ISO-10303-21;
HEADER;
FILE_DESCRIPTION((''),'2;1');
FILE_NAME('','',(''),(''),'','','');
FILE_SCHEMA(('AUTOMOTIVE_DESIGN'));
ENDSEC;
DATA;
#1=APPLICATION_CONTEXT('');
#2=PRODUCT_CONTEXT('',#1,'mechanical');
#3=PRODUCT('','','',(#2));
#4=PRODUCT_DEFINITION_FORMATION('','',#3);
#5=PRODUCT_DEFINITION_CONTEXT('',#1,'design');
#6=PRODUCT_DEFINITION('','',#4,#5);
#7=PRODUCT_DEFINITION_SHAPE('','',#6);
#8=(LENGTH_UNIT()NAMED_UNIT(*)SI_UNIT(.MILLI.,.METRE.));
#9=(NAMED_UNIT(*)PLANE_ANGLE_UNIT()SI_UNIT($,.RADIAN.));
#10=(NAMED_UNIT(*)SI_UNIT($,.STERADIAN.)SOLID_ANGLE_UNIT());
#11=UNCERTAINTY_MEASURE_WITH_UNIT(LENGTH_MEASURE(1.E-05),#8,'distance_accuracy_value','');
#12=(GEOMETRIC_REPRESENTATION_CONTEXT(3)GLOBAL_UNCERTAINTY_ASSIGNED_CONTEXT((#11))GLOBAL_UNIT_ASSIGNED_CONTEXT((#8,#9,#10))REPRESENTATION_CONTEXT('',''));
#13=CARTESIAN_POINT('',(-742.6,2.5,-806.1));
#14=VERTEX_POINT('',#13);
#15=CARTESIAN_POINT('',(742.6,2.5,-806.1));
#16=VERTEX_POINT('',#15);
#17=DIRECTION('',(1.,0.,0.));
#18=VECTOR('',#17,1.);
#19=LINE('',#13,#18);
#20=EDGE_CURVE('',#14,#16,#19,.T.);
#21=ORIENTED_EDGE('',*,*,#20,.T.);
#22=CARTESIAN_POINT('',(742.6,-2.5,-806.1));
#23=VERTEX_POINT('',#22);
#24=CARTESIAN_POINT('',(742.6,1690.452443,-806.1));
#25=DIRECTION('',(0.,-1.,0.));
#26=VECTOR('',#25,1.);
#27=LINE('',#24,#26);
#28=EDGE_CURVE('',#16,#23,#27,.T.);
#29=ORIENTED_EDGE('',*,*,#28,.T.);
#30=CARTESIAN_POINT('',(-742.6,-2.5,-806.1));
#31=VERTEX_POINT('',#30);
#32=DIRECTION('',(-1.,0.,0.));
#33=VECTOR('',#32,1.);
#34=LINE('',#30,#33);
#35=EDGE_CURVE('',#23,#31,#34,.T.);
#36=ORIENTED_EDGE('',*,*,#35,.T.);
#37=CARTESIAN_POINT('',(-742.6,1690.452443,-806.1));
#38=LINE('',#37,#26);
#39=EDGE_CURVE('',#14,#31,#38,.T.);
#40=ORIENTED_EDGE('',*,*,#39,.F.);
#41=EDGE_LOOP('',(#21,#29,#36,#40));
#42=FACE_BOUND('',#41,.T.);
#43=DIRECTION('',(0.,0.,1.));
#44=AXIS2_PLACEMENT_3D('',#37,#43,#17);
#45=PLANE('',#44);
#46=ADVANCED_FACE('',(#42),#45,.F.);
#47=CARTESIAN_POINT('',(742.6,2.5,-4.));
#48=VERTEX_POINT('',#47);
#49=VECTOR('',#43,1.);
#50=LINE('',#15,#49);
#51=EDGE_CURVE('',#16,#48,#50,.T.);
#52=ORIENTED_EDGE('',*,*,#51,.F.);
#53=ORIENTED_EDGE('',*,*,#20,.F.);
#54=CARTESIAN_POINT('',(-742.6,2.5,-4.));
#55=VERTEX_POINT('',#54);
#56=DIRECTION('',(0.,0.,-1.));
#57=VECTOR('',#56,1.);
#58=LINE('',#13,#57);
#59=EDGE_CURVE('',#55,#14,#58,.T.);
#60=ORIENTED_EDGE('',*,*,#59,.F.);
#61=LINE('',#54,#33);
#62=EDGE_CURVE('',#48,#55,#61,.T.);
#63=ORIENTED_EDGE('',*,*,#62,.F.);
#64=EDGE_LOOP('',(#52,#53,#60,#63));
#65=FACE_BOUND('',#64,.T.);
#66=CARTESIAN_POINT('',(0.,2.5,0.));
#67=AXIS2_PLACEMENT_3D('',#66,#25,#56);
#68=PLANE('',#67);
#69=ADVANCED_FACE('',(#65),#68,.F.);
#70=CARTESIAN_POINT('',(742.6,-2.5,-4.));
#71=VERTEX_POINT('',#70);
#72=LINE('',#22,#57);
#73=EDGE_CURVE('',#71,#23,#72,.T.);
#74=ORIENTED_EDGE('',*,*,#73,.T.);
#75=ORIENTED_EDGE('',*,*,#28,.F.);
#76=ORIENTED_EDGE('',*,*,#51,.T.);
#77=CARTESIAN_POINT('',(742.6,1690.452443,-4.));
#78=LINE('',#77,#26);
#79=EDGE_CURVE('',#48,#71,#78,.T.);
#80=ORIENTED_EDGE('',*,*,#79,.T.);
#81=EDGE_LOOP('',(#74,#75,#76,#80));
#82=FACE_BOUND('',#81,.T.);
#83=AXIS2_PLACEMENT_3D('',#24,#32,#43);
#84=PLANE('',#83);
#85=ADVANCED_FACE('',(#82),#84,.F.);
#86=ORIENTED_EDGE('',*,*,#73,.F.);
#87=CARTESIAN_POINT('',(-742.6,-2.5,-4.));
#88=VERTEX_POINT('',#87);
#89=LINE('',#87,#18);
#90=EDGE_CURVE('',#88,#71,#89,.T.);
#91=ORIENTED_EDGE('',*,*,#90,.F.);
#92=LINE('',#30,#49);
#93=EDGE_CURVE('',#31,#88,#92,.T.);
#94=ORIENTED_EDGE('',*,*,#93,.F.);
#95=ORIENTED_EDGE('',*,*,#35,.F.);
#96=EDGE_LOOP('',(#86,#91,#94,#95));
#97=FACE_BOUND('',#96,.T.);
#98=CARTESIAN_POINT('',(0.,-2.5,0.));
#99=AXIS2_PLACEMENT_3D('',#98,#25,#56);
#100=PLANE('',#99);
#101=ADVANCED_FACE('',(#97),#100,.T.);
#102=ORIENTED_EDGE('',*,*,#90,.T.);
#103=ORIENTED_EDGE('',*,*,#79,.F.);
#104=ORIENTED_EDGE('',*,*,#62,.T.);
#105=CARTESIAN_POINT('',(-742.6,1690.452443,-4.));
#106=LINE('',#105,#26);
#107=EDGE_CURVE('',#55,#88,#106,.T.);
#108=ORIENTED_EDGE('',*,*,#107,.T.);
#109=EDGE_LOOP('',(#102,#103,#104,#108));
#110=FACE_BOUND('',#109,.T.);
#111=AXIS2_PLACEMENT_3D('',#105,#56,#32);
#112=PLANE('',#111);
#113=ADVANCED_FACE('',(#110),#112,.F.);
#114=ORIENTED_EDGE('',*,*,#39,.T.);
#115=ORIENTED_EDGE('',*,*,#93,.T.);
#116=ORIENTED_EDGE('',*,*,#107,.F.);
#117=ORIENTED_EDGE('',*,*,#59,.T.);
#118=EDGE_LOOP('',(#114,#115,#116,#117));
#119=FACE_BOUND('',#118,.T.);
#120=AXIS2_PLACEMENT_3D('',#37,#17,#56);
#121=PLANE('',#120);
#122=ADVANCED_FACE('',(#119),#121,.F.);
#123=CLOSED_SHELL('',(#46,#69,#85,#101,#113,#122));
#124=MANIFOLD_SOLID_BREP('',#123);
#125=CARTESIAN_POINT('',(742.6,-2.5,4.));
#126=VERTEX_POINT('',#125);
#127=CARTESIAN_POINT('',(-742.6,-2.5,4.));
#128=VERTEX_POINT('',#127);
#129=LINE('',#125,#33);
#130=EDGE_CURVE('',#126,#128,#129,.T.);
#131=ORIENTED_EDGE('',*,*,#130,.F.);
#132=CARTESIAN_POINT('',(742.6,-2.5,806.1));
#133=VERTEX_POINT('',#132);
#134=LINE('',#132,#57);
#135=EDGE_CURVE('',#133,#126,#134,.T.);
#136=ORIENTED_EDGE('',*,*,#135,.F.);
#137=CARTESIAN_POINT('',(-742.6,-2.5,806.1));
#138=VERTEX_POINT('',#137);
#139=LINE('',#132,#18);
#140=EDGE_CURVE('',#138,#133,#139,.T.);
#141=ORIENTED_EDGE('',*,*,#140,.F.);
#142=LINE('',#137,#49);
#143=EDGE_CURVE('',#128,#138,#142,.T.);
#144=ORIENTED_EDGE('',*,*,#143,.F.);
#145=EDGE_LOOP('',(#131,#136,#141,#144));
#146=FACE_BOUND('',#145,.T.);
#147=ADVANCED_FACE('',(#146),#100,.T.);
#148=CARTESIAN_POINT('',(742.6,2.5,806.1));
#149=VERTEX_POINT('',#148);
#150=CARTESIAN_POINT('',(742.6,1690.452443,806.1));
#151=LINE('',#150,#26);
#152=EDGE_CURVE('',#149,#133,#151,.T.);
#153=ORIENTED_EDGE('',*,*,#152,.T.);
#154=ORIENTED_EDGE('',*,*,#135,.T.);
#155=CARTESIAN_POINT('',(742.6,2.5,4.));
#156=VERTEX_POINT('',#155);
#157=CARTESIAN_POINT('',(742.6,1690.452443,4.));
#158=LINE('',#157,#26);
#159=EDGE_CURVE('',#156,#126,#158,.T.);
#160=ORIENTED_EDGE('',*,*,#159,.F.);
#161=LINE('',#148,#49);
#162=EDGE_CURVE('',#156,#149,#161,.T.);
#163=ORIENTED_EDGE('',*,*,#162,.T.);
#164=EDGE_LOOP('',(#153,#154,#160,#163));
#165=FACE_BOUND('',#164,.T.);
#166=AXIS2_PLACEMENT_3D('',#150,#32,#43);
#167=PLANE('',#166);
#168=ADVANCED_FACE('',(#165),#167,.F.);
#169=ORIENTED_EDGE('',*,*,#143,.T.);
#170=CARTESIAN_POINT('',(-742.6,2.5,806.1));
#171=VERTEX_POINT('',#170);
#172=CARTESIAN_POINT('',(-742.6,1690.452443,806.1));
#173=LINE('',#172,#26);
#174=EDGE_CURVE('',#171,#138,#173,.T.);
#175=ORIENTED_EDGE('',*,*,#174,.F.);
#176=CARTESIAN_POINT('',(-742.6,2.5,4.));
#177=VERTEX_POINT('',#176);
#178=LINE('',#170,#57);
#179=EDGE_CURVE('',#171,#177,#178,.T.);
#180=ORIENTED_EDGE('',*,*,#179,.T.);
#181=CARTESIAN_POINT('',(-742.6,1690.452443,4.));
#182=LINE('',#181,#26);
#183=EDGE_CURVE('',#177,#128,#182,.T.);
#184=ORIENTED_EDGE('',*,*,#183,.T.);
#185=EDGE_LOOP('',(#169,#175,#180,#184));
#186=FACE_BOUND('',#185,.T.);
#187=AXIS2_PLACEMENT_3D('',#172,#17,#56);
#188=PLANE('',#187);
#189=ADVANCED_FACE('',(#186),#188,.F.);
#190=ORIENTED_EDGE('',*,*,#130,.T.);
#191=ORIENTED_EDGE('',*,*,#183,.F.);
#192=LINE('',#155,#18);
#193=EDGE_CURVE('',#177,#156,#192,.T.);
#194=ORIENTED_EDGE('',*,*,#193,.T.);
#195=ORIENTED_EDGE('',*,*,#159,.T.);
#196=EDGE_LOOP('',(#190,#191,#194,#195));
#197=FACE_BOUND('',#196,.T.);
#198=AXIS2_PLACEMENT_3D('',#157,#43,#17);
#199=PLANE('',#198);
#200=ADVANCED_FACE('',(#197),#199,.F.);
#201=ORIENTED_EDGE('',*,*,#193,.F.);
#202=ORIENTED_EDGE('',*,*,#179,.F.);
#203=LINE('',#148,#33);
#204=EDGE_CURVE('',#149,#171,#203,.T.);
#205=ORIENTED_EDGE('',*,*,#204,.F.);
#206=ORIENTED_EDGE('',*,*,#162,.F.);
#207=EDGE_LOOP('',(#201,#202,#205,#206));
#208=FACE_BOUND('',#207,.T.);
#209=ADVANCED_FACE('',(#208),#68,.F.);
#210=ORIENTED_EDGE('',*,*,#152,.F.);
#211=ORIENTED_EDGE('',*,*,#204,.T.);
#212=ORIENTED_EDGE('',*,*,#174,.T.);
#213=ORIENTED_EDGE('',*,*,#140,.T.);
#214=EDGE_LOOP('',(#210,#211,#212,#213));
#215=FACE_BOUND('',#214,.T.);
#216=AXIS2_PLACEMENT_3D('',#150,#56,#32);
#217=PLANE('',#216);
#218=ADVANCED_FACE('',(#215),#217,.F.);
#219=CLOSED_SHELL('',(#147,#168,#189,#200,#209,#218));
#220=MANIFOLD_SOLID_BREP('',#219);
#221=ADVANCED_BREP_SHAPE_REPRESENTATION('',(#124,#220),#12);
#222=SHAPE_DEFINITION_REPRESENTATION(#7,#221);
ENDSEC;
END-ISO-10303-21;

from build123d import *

# Parameters (mm, degrees)
BOSS_EXTRUDE1_DEPTH             = 2.5
BOSS_EXTRUDE1_DEPTH_BACK        = 2.5
SKETCH1_W                       = 1473.2
SKETCH1_H                       = 790.1
BOSS_EXTRUDE1_2_DEPTH           = 2.5
BOSS_EXTRUDE1_2_DEPTH_BACK      = 2.5
BOSS_EXTRUDE2_REACH             = 1089.541
SKETCH2_W                       = 1485.2
SKETCH2_H                       = 802.1
SKETCH2_W_2                     = 1473.2
SKETCH2_H_2                     = 790.1
BOSS_EXTRUDE2_DIRECTION_2_REACH = 1089.541


with BuildPart() as part:
    # Sketch1 → Boss-Extrude1 (new, two sides: drawn at the far end of the back side and taken through both)
    with BuildSketch(Plane(origin=(0, 0, 0), x_dir=(1, 0, 0), z_dir=(0, 1, 0)).offset(-BOSS_EXTRUDE1_DEPTH_BACK)):
        with Locations((0, 405.05)):
            Rectangle(SKETCH1_W, SKETCH1_H)
    extrude(amount=BOSS_EXTRUDE1_DEPTH + BOSS_EXTRUDE1_DEPTH_BACK)

    # Boss-Extrude2: up to this face of the body (flat: up to its plane)
    boss_extrude2_end = Plane(part.part.faces().sort_by_distance((0, 2.5, -405.05))[0])
    # Sketch2 → Boss-Extrude2 (add, up to the picked face)
    with BuildSketch(Plane(origin=(0, 0, 0), x_dir=(1, 0, 0), z_dir=(0, 1, 0)), mode=Mode.PRIVATE) as boss_extrude2_sk1:
        with Locations((0, 405.05)):
            Rectangle(SKETCH2_W, SKETCH2_H)
        with Locations((0, 405.05)):
            Rectangle(SKETCH2_W_2, SKETCH2_H_2, mode=Mode.SUBTRACT)
    boss_extrude2_tool1 = split(extrude(boss_extrude2_sk1.sketch, amount=BOSS_EXTRUDE2_REACH, mode=Mode.PRIVATE), bisect_by=boss_extrude2_end, keep=Keep.BOTH, mode=Mode.PRIVATE)
    # Sketch2 → Boss-Extrude2 (add, up to the picked face)
    with BuildSketch(Plane(origin=(0, 0, 0), x_dir=(1, 0, 0), z_dir=(0, 1, 0)), mode=Mode.PRIVATE) as boss_extrude2_sk2:
        with Locations((0, -405.05)):
            Rectangle(SKETCH2_W, SKETCH2_H)
        with Locations((0, -405.05)):
            Rectangle(SKETCH2_W_2, SKETCH2_H_2, mode=Mode.SUBTRACT)
    boss_extrude2_tool2 = split(extrude(boss_extrude2_sk2.sketch, amount=BOSS_EXTRUDE2_REACH, mode=Mode.PRIVATE), bisect_by=boss_extrude2_end, keep=Keep.BOTH, mode=Mode.PRIVATE)


with BuildPart() as body_2:
    # Sketch1 → Boss-Extrude1 2 (new, two sides: drawn at the far end of the back side and taken through both)
    with BuildSketch(Plane(origin=(0, 0, 0), x_dir=(1, 0, 0), z_dir=(0, 1, 0)).offset(-BOSS_EXTRUDE1_2_DEPTH_BACK)):
        with Locations((0, -405.05)):
            Rectangle(SKETCH1_W, SKETCH1_H)
    extrude(amount=BOSS_EXTRUDE1_2_DEPTH + BOSS_EXTRUDE1_2_DEPTH_BACK)


with BuildPart() as part_1:
    add(part.part)

    add(body_2.part)  # Boss-Extrude2 merges body 2
    add(boss_extrude2_tool1.solids().sort_by(Axis((0, 0, -804.412048), (0, 1, 0)))[0])
    add(boss_extrude2_tool2.solids().sort_by(Axis((0, 0, 804.412048), (0, 1, 0)))[0])

    # Boss-Extrude2 direction 2: up to this face of the body (flat: up to its plane)
    boss_extrude2_direction_2_end = Plane(part_1.part.faces().sort_by_distance((0, -2.5, -405.05))[0])
    # Sketch2 → Boss-Extrude2 direction 2 (add, up to the picked face)
    with BuildSketch(Plane(origin=(0, 0, 0), x_dir=(1, 0, 0), z_dir=(0, 1, 0)), mode=Mode.PRIVATE) as boss_extrude2_direction_2_sk1:
        with Locations((0, 405.05)):
            Rectangle(SKETCH2_W, SKETCH2_H)
        with Locations((0, 405.05)):
            Rectangle(SKETCH2_W_2, SKETCH2_H_2, mode=Mode.SUBTRACT)
    boss_extrude2_direction_2_tool1 = split(extrude(boss_extrude2_direction_2_sk1.sketch, amount=-BOSS_EXTRUDE2_DIRECTION_2_REACH, mode=Mode.PRIVATE), bisect_by=boss_extrude2_direction_2_end, keep=Keep.BOTH, mode=Mode.PRIVATE)
    # Sketch2 → Boss-Extrude2 direction 2 (add, up to the picked face)
    with BuildSketch(Plane(origin=(0, 0, 0), x_dir=(1, 0, 0), z_dir=(0, 1, 0)), mode=Mode.PRIVATE) as boss_extrude2_direction_2_sk2:
        with Locations((0, -405.05)):
            Rectangle(SKETCH2_W, SKETCH2_H)
        with Locations((0, -405.05)):
            Rectangle(SKETCH2_W_2, SKETCH2_H_2, mode=Mode.SUBTRACT)
    boss_extrude2_direction_2_tool2 = split(extrude(boss_extrude2_direction_2_sk2.sketch, amount=-BOSS_EXTRUDE2_DIRECTION_2_REACH, mode=Mode.PRIVATE), bisect_by=boss_extrude2_direction_2_end, keep=Keep.BOTH, mode=Mode.PRIVATE)
    add(boss_extrude2_direction_2_tool1.solids().sort_by(Axis((0, 0, -804.412048), (0, -1, 0)))[0])
    add(boss_extrude2_direction_2_tool2.solids().sort_by(Axis((0, 0, 804.412048), (0, -1, 0)))[0])


solid = part_1.part
